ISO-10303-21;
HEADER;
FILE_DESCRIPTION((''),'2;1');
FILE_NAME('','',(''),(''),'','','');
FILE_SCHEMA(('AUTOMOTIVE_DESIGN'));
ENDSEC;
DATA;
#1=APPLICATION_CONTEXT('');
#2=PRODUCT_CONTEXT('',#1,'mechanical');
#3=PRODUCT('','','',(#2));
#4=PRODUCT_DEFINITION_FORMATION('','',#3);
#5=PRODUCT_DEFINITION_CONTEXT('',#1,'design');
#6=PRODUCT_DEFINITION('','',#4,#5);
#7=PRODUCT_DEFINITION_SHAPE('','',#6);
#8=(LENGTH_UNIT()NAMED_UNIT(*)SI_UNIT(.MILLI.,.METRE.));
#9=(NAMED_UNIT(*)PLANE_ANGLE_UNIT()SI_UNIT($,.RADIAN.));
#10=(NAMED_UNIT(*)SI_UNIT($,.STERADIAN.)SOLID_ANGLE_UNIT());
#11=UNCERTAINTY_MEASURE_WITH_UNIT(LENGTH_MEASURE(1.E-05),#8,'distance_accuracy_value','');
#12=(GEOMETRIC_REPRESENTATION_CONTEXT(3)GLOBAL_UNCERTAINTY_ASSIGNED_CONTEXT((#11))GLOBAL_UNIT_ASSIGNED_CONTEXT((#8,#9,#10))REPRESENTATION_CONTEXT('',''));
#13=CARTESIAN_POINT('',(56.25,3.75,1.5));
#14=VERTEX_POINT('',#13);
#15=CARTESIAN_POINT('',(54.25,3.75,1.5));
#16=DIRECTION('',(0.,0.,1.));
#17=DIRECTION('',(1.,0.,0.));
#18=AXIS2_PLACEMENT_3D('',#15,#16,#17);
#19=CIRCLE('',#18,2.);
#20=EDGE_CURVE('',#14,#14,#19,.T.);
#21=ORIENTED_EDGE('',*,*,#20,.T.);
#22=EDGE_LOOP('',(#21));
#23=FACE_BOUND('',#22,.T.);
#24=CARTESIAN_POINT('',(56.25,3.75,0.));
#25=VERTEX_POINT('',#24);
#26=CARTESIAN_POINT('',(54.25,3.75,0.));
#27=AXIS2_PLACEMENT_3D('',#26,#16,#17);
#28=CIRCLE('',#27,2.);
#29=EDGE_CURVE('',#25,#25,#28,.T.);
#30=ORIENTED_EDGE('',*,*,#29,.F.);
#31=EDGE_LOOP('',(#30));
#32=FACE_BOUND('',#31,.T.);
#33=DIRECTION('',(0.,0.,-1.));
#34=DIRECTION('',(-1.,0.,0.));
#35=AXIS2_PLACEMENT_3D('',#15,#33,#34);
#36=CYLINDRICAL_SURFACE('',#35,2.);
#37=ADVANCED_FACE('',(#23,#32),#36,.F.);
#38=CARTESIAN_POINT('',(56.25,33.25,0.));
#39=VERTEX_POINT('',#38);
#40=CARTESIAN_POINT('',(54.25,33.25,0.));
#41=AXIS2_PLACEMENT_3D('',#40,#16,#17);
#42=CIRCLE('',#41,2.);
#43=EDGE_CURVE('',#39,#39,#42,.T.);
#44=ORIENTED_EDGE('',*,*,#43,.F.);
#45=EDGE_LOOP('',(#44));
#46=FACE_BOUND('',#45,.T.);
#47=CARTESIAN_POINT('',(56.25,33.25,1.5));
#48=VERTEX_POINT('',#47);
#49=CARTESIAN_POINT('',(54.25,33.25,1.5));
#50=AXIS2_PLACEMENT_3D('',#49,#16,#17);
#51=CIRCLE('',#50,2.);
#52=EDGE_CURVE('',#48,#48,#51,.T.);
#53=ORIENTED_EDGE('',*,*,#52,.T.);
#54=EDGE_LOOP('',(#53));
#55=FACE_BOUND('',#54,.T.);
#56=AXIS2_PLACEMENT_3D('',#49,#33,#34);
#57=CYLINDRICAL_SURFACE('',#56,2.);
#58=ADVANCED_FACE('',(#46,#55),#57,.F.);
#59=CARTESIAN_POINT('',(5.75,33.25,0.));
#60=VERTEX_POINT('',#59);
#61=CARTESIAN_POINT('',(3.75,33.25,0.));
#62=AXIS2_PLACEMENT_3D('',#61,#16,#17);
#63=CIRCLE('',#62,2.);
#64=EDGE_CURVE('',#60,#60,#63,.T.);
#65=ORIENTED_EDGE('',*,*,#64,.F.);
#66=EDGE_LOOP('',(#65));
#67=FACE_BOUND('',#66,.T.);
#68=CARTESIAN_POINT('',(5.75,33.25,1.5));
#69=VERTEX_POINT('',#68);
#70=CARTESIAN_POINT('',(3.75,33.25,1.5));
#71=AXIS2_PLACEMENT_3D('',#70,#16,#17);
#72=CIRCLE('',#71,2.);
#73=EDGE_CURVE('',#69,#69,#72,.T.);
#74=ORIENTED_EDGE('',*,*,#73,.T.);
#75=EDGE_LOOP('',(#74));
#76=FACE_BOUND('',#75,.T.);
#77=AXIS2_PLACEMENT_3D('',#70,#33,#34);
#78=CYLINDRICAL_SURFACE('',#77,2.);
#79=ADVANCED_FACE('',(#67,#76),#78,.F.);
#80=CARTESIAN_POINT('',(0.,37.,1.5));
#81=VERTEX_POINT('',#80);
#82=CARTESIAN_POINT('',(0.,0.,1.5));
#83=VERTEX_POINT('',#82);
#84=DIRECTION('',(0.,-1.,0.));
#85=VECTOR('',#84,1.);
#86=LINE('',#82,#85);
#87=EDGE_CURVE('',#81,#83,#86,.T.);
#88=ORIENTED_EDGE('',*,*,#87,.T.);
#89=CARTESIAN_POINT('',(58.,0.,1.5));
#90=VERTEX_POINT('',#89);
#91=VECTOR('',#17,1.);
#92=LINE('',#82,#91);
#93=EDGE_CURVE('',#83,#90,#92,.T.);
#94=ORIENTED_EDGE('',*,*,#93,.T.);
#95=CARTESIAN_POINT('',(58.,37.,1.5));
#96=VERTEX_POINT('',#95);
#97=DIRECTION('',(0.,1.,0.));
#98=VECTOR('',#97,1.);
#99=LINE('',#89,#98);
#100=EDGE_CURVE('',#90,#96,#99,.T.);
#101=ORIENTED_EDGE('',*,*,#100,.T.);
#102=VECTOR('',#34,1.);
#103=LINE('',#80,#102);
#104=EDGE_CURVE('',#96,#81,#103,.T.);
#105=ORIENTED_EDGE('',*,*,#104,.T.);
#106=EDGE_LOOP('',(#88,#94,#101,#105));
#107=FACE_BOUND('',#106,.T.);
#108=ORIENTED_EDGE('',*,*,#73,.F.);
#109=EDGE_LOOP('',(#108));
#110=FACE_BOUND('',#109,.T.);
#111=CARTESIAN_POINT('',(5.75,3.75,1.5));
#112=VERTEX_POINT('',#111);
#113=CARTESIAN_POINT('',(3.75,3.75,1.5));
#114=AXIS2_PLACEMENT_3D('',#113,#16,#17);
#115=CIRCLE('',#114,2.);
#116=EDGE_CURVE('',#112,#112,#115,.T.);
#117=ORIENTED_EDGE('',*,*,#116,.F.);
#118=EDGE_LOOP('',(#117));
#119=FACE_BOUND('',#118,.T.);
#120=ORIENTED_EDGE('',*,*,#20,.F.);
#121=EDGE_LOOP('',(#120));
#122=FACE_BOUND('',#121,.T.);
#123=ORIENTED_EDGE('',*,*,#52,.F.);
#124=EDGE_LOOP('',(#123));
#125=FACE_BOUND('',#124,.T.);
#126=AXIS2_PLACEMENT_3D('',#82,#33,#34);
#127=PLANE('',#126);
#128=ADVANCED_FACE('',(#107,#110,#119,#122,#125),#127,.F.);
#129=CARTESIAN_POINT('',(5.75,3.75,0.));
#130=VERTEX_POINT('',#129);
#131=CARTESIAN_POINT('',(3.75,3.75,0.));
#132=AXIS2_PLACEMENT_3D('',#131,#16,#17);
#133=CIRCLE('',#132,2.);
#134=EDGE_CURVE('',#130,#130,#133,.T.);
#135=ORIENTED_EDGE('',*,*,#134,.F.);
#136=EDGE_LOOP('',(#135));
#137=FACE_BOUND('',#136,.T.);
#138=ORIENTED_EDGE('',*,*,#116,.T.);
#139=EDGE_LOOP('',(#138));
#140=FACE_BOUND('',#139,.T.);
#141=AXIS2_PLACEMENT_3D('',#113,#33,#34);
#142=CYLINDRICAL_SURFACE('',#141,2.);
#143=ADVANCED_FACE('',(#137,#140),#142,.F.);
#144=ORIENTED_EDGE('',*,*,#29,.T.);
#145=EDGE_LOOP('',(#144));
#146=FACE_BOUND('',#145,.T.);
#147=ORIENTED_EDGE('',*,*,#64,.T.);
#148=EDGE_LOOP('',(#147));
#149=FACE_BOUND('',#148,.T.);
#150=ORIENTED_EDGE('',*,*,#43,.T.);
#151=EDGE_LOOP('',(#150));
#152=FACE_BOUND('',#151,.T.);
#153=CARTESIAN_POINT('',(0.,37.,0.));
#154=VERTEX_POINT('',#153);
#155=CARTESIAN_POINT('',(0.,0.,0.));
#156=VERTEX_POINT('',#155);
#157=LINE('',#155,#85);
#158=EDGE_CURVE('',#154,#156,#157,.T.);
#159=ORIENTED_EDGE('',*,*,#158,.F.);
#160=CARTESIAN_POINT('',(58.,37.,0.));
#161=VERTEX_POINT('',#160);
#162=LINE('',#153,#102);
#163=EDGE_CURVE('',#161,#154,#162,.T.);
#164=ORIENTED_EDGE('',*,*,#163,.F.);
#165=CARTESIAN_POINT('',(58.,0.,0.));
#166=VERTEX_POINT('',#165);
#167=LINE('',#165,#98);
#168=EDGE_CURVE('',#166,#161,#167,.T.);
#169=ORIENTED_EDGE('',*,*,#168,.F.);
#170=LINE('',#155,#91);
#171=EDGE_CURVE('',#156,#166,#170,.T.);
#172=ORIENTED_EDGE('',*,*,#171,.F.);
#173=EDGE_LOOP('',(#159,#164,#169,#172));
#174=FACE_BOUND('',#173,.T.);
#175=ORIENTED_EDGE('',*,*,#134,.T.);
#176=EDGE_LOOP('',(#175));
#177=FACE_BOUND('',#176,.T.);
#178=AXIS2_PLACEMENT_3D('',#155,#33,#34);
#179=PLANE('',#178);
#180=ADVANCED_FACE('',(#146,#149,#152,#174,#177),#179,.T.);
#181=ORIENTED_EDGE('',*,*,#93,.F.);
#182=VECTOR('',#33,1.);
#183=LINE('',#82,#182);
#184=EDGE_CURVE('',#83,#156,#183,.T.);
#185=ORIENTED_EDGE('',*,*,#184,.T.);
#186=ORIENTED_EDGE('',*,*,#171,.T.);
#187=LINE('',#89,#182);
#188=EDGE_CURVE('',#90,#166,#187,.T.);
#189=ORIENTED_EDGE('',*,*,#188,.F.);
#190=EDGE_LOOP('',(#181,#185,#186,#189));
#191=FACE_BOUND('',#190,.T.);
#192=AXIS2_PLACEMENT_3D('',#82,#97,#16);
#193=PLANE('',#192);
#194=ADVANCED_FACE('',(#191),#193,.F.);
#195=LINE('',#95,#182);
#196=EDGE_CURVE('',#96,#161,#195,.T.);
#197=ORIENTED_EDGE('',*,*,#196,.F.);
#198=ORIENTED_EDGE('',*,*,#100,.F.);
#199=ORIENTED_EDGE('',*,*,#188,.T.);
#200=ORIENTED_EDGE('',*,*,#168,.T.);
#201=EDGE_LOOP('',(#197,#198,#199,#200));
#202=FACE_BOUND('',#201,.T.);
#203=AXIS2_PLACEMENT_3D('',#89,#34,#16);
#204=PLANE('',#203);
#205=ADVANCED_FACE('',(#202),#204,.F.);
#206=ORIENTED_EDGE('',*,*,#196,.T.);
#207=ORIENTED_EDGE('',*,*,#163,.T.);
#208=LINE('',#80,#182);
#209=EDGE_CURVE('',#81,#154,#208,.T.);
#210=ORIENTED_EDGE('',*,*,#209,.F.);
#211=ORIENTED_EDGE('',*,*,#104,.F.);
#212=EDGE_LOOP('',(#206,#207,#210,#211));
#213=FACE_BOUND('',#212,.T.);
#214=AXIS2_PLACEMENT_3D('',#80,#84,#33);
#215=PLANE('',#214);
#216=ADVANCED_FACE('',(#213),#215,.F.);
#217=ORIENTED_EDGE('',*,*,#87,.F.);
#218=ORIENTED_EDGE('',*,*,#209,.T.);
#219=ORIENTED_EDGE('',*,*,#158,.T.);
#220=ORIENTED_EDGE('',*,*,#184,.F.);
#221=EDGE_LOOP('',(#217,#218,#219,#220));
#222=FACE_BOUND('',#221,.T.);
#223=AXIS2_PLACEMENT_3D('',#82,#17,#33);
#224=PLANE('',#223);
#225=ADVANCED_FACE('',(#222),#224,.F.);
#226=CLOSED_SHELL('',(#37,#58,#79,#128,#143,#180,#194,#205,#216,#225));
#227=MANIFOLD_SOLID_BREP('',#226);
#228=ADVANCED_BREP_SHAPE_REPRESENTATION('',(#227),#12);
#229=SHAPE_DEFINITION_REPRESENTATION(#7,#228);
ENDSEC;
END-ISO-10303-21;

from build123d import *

# Parameters (mm, degrees)
MAIN_SKETCH_W = 58
MAIN_SKETCH_H = 37
MAIN_SKETCH_R = 2
MAIN_DEPTH    = 1.5


with BuildPart() as part:
    # Main-Sketch → Main (new body)
    with BuildSketch(Plane.XY):
        with Locations((29, 18.5)):
            Rectangle(MAIN_SKETCH_W, MAIN_SKETCH_H)
        with Locations((3.75, 33.25)):
            Circle(MAIN_SKETCH_R, mode=Mode.SUBTRACT)
        with Locations((54.25, 33.25)):
            Circle(MAIN_SKETCH_R, mode=Mode.SUBTRACT)
        with Locations((54.25, 3.75)):
            Circle(MAIN_SKETCH_R, mode=Mode.SUBTRACT)
        with Locations((3.75, 3.75)):
            Circle(MAIN_SKETCH_R, mode=Mode.SUBTRACT)
    extrude(amount=MAIN_DEPTH)


solid = part.part
